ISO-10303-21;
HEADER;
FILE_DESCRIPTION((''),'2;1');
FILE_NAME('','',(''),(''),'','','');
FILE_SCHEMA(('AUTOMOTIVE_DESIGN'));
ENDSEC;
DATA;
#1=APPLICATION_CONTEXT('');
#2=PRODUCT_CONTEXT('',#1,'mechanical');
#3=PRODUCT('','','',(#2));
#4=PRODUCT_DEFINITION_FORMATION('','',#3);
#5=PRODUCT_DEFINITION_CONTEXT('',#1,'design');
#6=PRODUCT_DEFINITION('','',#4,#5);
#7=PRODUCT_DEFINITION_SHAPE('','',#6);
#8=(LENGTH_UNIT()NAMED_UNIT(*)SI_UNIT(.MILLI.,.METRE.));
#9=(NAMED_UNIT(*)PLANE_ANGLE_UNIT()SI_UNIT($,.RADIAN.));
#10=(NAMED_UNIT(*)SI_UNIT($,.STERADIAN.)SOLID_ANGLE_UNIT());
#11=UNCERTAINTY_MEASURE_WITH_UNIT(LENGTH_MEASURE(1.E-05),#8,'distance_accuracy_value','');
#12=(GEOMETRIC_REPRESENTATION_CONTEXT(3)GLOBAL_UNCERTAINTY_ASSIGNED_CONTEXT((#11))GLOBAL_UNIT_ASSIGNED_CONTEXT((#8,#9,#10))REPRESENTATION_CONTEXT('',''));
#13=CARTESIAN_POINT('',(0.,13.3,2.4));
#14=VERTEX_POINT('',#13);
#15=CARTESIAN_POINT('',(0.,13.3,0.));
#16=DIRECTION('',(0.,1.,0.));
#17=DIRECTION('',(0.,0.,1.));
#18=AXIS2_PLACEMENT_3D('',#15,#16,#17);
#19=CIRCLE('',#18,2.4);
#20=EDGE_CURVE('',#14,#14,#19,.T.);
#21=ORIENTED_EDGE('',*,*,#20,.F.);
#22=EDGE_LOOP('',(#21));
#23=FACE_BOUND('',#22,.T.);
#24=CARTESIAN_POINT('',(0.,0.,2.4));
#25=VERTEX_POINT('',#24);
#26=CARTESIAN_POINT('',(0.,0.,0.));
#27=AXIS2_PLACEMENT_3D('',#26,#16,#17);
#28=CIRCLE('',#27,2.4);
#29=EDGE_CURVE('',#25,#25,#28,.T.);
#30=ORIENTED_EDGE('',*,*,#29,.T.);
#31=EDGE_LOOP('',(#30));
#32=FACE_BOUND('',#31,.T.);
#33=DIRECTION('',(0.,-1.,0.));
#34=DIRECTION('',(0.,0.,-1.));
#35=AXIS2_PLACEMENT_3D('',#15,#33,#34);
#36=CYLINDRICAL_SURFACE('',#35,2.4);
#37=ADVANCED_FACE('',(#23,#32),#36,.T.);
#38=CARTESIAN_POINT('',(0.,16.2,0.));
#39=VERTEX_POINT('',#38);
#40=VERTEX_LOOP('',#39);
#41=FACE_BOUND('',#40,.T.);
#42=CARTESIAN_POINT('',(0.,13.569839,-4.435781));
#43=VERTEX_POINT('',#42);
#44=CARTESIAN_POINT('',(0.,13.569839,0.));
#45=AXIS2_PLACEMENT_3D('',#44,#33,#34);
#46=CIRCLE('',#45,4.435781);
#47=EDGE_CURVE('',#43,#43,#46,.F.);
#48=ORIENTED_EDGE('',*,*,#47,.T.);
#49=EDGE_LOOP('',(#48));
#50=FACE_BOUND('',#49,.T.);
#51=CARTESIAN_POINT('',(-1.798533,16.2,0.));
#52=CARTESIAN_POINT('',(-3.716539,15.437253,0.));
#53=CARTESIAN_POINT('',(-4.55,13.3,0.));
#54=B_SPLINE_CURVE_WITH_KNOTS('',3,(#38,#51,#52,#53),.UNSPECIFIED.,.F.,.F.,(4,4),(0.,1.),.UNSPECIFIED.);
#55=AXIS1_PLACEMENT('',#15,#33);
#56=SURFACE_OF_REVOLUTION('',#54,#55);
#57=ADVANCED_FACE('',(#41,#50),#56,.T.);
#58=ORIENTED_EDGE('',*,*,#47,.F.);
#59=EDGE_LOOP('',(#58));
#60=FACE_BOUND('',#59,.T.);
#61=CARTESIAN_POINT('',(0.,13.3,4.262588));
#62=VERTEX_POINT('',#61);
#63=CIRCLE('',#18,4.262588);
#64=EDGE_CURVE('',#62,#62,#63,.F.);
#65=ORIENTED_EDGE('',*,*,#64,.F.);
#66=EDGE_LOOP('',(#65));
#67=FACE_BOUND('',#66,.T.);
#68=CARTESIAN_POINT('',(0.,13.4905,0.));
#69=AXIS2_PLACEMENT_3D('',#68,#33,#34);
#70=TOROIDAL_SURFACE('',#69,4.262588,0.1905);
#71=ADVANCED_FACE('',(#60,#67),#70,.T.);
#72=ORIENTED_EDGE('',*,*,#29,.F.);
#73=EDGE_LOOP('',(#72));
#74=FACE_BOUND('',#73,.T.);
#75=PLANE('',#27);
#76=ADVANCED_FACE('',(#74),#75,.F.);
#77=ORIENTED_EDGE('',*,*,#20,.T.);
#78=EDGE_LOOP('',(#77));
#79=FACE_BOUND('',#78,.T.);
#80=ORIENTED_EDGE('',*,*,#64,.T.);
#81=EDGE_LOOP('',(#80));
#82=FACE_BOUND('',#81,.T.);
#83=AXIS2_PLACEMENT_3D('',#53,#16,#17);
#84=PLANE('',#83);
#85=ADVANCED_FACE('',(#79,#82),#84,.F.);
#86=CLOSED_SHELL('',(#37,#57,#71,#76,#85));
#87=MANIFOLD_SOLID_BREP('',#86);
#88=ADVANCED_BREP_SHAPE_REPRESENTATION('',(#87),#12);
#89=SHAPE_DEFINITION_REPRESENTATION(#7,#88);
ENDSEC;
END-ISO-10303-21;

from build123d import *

# Parameters (mm, degrees)
SKETCH1_R           = 2.4
BOSS_EXTRUDE1_DEPTH = 13.3
FILLET1_R           = 0.1905


with BuildPart() as part:
    # Sketch1 → Boss-Extrude1 (new body)
    with BuildSketch(Plane(origin=(0, 0, 0), x_dir=(1, 0, 0), z_dir=(0, 1, 0))):
        Circle(SKETCH1_R)
    extrude(amount=BOSS_EXTRUDE1_DEPTH)

    # Sketch2 → Revolve1 (revolve)
    with BuildSketch(Plane.XY):
        with BuildLine():
            Line((-4.55, 13.3), (0, 13.3))
            Line((0, 13.3), (0, 16.2))
            add(Edge.make_bspline(
                [(0, 16.2), (-1.798533353, 16.2), (-3.716538693, 15.437253148), (-4.55, 13.3)],
                knots=[0, 0, 0, 0, 1, 1, 1, 1], degree=3))
        make_face()
    revolve(axis=Axis((0, 13.3, 0), (0, 1, 0)))

    # Fillet1
    fillet1_edges = [part.edges().sort_by_distance(p)[0] for p in [
        (4.55, 13.3, 0),
    ]]
    fillet(fillet1_edges, radius=FILLET1_R)


solid = part.part
